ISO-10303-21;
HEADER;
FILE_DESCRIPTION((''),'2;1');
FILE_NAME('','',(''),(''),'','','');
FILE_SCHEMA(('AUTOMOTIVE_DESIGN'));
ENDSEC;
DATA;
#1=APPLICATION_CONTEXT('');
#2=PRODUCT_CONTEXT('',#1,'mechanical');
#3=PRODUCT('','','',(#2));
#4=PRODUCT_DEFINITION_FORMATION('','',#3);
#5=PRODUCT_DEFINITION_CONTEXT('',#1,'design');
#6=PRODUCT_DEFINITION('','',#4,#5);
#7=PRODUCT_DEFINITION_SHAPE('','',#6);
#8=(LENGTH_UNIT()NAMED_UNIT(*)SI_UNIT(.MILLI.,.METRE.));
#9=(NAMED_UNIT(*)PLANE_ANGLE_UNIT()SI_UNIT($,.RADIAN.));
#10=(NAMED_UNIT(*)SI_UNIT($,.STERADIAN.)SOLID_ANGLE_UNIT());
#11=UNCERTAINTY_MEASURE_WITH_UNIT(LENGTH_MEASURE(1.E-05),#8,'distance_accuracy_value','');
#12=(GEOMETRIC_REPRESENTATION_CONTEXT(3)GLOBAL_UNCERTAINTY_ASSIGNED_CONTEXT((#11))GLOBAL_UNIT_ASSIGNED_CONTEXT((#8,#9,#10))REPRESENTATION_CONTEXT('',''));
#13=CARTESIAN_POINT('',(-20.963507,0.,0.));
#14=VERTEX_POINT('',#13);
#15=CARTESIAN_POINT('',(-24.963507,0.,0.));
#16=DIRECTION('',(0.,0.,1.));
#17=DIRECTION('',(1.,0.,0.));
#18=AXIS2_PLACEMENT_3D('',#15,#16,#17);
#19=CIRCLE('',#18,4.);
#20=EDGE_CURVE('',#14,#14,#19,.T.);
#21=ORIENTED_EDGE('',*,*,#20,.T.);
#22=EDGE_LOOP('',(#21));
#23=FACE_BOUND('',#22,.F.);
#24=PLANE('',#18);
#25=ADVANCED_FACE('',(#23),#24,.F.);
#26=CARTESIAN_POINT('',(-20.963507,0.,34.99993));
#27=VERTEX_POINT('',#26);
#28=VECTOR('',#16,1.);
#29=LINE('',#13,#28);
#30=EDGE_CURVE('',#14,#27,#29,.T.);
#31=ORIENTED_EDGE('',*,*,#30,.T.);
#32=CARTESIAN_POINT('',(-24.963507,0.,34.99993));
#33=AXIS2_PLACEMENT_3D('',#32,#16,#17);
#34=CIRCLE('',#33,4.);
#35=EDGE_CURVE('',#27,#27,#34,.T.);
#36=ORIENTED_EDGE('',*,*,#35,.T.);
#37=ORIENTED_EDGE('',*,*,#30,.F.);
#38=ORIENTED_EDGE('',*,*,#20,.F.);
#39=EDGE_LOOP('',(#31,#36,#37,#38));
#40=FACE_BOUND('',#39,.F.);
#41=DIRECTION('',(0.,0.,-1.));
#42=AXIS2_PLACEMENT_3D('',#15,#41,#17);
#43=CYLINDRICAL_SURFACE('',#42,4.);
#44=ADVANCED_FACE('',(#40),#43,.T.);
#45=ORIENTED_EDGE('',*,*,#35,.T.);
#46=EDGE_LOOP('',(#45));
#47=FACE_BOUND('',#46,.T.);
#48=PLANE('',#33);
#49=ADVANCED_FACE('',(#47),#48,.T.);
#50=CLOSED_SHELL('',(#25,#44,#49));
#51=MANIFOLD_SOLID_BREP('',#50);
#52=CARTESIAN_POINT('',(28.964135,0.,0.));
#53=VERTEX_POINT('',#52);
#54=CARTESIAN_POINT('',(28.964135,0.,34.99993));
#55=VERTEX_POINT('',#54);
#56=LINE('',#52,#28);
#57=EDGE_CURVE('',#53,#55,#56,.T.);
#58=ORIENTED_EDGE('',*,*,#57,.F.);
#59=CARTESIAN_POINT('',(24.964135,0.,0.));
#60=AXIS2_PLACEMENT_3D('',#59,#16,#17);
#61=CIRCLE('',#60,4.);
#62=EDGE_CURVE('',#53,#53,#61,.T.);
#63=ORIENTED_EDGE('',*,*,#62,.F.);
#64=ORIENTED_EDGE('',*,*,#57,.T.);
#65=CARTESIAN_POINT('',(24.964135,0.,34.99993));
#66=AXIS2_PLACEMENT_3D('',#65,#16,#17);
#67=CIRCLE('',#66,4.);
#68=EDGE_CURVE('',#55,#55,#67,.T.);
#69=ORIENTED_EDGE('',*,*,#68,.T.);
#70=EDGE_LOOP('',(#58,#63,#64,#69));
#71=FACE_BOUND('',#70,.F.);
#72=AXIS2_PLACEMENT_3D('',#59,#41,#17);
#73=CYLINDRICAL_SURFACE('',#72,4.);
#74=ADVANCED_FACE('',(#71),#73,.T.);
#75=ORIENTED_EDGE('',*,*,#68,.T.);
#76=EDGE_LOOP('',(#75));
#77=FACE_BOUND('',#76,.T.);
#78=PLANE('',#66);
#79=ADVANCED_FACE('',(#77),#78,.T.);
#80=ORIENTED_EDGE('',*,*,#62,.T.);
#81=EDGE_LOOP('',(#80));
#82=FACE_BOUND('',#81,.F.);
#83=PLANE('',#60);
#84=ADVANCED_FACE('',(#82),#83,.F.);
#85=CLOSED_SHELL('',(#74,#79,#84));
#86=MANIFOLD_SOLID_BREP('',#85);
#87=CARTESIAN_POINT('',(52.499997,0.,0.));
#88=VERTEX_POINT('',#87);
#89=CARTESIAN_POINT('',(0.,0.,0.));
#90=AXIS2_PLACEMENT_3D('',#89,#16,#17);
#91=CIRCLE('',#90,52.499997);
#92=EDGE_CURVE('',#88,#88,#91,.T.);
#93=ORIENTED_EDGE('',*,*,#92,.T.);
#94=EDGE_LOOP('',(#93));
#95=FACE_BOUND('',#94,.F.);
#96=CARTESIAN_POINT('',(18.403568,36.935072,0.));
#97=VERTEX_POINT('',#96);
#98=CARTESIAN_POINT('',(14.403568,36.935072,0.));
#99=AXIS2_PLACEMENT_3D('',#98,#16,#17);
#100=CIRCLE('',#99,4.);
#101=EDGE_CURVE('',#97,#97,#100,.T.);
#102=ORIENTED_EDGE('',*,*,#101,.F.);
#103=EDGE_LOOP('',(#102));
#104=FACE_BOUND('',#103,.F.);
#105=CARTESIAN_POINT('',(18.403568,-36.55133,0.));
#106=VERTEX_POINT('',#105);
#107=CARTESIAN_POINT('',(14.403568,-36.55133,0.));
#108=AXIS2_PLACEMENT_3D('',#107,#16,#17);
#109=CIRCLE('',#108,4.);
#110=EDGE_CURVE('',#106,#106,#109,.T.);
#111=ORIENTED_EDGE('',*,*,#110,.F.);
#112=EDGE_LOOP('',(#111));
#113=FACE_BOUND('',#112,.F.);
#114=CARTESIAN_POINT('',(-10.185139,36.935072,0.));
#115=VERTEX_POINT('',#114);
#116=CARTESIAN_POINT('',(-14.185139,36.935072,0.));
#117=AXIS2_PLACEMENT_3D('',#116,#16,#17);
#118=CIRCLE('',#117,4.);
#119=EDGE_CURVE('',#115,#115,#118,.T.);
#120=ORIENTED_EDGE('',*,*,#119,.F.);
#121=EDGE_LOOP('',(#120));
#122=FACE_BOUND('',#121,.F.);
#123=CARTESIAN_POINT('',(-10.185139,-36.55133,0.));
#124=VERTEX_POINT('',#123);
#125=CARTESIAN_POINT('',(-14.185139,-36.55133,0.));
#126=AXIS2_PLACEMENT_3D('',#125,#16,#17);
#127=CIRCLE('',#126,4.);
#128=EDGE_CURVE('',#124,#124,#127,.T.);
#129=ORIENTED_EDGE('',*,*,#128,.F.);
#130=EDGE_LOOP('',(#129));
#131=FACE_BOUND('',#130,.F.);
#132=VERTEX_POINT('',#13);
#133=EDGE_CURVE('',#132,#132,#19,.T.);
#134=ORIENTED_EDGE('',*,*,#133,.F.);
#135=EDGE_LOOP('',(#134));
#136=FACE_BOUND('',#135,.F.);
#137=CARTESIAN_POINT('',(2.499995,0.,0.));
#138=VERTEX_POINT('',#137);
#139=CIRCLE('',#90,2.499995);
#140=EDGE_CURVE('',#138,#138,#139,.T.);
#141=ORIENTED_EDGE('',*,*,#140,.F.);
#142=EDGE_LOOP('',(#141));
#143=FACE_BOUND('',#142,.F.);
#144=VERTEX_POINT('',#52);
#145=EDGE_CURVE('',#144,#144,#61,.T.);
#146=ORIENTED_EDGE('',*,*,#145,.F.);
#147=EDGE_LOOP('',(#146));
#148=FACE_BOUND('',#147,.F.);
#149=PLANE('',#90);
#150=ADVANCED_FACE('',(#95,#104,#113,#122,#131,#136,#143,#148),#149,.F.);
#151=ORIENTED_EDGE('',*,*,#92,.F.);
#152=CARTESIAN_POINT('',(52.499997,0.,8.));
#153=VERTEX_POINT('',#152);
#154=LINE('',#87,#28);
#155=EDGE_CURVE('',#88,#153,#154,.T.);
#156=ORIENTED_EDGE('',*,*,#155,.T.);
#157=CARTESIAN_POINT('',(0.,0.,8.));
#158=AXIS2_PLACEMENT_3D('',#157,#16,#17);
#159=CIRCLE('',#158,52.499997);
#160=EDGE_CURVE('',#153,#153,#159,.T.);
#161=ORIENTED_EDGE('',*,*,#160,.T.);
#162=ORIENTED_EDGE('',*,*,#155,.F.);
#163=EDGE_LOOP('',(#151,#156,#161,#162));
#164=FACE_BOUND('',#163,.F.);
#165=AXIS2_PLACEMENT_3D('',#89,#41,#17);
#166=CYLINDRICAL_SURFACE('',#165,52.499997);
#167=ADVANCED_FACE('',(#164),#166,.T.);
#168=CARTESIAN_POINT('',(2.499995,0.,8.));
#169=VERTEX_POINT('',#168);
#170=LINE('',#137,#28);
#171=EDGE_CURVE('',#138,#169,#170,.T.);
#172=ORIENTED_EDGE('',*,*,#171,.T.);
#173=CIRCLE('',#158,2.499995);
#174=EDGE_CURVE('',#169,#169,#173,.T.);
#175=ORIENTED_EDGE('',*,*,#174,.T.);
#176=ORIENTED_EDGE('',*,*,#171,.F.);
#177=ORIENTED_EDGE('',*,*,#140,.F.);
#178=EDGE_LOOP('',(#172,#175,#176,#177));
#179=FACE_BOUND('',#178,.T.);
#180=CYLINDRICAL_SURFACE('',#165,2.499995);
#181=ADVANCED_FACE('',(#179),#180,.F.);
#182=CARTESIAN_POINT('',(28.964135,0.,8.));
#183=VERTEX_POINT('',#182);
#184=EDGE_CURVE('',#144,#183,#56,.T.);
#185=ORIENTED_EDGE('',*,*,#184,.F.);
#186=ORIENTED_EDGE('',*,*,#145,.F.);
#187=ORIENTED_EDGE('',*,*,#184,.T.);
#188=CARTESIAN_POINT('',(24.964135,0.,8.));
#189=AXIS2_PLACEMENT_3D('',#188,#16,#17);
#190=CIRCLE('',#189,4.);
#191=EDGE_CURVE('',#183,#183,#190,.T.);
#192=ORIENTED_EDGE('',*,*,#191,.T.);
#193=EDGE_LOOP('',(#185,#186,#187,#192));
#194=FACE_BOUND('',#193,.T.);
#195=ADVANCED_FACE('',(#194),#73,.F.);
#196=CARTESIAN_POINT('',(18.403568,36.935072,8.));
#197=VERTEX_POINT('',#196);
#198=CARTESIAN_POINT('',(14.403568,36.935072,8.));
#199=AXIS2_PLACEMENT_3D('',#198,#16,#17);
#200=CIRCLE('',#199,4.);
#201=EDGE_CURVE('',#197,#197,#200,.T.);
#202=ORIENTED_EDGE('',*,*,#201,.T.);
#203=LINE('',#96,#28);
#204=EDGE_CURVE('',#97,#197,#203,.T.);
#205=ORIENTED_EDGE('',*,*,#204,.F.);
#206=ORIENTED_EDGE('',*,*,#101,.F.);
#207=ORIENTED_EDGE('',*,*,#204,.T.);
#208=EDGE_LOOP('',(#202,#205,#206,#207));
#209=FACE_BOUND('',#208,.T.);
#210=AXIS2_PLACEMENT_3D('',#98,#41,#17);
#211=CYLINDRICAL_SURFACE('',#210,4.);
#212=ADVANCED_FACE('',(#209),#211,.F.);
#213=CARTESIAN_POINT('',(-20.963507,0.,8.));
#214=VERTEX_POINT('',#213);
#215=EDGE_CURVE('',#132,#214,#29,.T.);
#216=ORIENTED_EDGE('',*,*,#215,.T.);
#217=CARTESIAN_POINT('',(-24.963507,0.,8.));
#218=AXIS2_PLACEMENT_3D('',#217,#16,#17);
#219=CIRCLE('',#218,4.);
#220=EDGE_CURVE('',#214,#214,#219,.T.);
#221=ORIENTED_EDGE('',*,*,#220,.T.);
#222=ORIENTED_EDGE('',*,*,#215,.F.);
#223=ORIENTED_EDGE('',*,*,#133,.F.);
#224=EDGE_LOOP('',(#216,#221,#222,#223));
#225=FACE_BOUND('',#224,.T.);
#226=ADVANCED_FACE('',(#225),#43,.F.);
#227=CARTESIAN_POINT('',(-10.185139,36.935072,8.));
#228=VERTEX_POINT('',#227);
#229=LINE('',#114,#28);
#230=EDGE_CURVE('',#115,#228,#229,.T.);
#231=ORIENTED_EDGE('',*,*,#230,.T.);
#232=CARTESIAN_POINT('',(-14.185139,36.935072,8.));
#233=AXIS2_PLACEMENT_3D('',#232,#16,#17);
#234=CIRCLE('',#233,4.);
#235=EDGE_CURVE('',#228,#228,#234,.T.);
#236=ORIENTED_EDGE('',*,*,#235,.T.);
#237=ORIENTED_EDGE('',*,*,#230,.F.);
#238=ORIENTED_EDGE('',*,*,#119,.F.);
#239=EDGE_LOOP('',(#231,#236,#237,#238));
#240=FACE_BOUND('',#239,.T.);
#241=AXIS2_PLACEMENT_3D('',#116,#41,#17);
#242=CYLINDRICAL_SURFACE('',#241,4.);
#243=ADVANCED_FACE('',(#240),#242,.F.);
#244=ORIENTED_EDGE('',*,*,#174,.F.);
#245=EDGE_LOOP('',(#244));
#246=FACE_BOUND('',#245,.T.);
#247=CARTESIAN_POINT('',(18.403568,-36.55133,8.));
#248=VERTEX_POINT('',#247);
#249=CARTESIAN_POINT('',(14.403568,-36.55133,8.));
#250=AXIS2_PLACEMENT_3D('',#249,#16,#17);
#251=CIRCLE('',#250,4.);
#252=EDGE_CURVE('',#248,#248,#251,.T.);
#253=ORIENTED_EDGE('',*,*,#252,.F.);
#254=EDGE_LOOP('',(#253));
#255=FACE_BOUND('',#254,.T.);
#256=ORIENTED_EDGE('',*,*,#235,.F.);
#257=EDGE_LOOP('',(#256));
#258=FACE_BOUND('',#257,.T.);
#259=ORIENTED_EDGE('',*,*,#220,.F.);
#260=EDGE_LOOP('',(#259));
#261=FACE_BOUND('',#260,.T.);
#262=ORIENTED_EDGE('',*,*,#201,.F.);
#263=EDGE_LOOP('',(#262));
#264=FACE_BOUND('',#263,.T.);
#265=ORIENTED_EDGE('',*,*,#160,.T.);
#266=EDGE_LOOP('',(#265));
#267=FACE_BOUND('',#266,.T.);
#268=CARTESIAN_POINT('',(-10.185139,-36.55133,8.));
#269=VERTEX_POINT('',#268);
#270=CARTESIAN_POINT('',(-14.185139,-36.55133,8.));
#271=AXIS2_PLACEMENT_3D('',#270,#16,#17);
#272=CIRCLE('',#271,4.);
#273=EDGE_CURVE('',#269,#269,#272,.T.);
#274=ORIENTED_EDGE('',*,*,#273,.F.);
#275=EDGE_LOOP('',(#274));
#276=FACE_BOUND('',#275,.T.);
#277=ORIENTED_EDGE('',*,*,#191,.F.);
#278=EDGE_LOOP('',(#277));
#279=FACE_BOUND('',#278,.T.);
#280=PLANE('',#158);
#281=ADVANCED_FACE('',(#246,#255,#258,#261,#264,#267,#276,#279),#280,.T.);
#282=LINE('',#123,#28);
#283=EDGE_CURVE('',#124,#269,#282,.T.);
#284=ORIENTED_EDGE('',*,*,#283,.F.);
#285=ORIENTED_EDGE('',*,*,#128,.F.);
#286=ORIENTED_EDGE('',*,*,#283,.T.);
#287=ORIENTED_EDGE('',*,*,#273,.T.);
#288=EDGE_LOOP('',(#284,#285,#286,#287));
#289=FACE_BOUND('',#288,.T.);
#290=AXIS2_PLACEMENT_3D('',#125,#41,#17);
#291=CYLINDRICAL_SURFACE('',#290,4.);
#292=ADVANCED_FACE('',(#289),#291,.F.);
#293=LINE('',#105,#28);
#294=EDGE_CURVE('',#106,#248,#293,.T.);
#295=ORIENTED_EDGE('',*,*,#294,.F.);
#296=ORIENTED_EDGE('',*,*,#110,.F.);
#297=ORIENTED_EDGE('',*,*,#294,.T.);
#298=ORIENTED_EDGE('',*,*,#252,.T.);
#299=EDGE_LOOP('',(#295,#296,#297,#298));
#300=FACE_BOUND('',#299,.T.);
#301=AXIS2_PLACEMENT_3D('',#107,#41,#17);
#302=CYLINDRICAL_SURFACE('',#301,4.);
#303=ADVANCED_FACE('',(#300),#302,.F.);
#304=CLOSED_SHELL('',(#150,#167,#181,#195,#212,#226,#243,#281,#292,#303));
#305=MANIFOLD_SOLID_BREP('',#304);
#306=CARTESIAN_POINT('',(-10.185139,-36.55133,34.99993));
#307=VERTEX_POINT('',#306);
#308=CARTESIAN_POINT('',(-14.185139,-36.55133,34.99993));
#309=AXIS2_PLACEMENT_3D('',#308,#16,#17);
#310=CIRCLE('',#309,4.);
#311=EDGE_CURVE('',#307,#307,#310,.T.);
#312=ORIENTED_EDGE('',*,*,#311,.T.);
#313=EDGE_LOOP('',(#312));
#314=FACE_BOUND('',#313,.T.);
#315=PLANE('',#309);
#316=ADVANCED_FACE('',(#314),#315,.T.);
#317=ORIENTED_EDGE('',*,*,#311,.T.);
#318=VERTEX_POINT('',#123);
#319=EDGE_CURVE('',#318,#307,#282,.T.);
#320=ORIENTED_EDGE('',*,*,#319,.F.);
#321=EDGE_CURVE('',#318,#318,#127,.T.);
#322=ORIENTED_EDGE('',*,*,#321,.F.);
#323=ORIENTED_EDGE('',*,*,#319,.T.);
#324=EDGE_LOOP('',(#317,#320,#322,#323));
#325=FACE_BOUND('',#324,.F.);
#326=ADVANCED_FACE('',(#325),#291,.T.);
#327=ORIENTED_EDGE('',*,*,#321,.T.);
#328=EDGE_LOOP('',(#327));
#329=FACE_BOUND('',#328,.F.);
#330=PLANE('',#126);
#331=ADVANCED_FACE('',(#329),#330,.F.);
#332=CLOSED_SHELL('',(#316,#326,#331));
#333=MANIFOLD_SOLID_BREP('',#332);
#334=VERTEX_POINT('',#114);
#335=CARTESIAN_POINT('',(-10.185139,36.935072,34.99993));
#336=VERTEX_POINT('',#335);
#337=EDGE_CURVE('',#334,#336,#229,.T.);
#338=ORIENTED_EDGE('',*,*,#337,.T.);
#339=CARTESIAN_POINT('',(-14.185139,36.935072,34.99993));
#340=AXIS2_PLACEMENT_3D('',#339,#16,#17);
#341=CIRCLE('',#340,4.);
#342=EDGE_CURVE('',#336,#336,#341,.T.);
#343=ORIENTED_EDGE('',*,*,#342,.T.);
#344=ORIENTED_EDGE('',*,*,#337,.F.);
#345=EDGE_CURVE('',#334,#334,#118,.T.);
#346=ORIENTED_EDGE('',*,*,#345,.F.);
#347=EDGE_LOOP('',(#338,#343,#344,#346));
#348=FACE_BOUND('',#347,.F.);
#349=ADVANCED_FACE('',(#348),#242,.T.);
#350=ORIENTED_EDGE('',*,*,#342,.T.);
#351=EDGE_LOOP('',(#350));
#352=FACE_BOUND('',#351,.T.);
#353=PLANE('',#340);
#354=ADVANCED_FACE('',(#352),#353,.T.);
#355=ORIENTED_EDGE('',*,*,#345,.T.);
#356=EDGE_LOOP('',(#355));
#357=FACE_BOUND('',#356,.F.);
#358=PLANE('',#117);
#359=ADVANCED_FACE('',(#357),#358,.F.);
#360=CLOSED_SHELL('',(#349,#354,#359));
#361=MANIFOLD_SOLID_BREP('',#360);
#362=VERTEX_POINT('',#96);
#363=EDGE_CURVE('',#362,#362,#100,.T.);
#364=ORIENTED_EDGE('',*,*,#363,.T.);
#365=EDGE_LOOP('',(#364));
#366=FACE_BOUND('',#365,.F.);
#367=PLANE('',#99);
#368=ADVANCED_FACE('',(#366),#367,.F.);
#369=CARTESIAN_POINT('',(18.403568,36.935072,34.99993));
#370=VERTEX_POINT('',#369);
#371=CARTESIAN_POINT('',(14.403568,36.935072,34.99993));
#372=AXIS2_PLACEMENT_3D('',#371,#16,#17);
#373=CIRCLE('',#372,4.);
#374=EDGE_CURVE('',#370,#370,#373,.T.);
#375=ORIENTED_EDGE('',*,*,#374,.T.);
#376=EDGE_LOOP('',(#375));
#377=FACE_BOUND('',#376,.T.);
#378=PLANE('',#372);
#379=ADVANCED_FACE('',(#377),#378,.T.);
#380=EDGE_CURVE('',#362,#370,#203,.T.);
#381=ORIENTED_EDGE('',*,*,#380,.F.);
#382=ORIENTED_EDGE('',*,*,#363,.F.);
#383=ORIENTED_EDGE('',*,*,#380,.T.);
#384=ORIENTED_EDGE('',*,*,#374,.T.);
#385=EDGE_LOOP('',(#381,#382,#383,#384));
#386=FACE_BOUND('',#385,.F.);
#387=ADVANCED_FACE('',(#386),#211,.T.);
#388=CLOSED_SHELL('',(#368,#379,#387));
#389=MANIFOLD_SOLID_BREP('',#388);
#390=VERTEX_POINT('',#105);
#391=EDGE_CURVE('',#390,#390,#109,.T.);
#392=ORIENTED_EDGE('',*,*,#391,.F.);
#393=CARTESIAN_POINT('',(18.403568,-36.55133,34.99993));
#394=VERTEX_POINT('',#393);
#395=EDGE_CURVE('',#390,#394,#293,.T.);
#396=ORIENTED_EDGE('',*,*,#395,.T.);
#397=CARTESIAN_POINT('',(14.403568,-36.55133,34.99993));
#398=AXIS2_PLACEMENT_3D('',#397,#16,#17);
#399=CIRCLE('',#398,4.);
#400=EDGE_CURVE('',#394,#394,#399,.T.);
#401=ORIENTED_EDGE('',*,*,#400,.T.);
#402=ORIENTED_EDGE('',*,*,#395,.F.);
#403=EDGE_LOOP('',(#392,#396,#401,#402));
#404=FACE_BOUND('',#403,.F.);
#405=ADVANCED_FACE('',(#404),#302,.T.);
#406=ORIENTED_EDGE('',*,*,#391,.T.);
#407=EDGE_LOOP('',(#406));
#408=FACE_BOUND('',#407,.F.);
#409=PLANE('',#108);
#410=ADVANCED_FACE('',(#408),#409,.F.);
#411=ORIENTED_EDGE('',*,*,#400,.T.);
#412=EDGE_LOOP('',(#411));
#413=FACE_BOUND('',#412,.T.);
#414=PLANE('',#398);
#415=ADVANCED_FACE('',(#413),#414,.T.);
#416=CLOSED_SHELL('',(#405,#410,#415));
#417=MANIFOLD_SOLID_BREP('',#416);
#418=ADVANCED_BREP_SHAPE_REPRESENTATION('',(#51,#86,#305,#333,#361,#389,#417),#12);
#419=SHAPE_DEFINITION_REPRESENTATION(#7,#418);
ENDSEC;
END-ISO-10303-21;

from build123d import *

# Parameters (mm, degrees)
F0_R     = 4
F1_DEPTH = 34.99993
F0_R_2   = 52.499997
F0_R_3   = 2.499995
F2_DEPTH = 8


with BuildPart() as f1:
    # F0 (on Top) → F1 (new body)
    with BuildSketch(Plane.XY):
        with Locations((-24.963507, 0)):
            Circle(F0_R)
        with Locations((-14.185139, -36.55133)):
            Circle(F0_R)
        with Locations((14.403568, -36.55133)):
            Circle(F0_R)
        with Locations((24.964135, 0)):
            Circle(F0_R)
        with Locations((14.403568, 36.935072)):
            Circle(F0_R)
        with Locations((-14.185139, 36.935072)):
            Circle(F0_R)
    extrude(amount=F1_DEPTH)


with BuildPart() as f2:
    # F0 (on Top) → F2 (new body)
    with BuildSketch(Plane.XY):
        Circle(F0_R_2)
        with Locations((-14.185139, -36.55133)):
            Circle(F0_R, mode=Mode.SUBTRACT)
        with Locations((14.403568, -36.55133)):
            Circle(F0_R, mode=Mode.SUBTRACT)
        with Locations((-24.963507, 0)):
            Circle(F0_R, mode=Mode.SUBTRACT)
        with Locations((-14.185139, 36.935072)):
            Circle(F0_R, mode=Mode.SUBTRACT)
        Circle(F0_R_3, mode=Mode.SUBTRACT)
        with Locations((24.964135, 0)):
            Circle(F0_R, mode=Mode.SUBTRACT)
        with Locations((14.403568, 36.935072)):
            Circle(F0_R, mode=Mode.SUBTRACT)
    extrude(amount=F2_DEPTH)


solid = Compound([f1.part, f2.part])
